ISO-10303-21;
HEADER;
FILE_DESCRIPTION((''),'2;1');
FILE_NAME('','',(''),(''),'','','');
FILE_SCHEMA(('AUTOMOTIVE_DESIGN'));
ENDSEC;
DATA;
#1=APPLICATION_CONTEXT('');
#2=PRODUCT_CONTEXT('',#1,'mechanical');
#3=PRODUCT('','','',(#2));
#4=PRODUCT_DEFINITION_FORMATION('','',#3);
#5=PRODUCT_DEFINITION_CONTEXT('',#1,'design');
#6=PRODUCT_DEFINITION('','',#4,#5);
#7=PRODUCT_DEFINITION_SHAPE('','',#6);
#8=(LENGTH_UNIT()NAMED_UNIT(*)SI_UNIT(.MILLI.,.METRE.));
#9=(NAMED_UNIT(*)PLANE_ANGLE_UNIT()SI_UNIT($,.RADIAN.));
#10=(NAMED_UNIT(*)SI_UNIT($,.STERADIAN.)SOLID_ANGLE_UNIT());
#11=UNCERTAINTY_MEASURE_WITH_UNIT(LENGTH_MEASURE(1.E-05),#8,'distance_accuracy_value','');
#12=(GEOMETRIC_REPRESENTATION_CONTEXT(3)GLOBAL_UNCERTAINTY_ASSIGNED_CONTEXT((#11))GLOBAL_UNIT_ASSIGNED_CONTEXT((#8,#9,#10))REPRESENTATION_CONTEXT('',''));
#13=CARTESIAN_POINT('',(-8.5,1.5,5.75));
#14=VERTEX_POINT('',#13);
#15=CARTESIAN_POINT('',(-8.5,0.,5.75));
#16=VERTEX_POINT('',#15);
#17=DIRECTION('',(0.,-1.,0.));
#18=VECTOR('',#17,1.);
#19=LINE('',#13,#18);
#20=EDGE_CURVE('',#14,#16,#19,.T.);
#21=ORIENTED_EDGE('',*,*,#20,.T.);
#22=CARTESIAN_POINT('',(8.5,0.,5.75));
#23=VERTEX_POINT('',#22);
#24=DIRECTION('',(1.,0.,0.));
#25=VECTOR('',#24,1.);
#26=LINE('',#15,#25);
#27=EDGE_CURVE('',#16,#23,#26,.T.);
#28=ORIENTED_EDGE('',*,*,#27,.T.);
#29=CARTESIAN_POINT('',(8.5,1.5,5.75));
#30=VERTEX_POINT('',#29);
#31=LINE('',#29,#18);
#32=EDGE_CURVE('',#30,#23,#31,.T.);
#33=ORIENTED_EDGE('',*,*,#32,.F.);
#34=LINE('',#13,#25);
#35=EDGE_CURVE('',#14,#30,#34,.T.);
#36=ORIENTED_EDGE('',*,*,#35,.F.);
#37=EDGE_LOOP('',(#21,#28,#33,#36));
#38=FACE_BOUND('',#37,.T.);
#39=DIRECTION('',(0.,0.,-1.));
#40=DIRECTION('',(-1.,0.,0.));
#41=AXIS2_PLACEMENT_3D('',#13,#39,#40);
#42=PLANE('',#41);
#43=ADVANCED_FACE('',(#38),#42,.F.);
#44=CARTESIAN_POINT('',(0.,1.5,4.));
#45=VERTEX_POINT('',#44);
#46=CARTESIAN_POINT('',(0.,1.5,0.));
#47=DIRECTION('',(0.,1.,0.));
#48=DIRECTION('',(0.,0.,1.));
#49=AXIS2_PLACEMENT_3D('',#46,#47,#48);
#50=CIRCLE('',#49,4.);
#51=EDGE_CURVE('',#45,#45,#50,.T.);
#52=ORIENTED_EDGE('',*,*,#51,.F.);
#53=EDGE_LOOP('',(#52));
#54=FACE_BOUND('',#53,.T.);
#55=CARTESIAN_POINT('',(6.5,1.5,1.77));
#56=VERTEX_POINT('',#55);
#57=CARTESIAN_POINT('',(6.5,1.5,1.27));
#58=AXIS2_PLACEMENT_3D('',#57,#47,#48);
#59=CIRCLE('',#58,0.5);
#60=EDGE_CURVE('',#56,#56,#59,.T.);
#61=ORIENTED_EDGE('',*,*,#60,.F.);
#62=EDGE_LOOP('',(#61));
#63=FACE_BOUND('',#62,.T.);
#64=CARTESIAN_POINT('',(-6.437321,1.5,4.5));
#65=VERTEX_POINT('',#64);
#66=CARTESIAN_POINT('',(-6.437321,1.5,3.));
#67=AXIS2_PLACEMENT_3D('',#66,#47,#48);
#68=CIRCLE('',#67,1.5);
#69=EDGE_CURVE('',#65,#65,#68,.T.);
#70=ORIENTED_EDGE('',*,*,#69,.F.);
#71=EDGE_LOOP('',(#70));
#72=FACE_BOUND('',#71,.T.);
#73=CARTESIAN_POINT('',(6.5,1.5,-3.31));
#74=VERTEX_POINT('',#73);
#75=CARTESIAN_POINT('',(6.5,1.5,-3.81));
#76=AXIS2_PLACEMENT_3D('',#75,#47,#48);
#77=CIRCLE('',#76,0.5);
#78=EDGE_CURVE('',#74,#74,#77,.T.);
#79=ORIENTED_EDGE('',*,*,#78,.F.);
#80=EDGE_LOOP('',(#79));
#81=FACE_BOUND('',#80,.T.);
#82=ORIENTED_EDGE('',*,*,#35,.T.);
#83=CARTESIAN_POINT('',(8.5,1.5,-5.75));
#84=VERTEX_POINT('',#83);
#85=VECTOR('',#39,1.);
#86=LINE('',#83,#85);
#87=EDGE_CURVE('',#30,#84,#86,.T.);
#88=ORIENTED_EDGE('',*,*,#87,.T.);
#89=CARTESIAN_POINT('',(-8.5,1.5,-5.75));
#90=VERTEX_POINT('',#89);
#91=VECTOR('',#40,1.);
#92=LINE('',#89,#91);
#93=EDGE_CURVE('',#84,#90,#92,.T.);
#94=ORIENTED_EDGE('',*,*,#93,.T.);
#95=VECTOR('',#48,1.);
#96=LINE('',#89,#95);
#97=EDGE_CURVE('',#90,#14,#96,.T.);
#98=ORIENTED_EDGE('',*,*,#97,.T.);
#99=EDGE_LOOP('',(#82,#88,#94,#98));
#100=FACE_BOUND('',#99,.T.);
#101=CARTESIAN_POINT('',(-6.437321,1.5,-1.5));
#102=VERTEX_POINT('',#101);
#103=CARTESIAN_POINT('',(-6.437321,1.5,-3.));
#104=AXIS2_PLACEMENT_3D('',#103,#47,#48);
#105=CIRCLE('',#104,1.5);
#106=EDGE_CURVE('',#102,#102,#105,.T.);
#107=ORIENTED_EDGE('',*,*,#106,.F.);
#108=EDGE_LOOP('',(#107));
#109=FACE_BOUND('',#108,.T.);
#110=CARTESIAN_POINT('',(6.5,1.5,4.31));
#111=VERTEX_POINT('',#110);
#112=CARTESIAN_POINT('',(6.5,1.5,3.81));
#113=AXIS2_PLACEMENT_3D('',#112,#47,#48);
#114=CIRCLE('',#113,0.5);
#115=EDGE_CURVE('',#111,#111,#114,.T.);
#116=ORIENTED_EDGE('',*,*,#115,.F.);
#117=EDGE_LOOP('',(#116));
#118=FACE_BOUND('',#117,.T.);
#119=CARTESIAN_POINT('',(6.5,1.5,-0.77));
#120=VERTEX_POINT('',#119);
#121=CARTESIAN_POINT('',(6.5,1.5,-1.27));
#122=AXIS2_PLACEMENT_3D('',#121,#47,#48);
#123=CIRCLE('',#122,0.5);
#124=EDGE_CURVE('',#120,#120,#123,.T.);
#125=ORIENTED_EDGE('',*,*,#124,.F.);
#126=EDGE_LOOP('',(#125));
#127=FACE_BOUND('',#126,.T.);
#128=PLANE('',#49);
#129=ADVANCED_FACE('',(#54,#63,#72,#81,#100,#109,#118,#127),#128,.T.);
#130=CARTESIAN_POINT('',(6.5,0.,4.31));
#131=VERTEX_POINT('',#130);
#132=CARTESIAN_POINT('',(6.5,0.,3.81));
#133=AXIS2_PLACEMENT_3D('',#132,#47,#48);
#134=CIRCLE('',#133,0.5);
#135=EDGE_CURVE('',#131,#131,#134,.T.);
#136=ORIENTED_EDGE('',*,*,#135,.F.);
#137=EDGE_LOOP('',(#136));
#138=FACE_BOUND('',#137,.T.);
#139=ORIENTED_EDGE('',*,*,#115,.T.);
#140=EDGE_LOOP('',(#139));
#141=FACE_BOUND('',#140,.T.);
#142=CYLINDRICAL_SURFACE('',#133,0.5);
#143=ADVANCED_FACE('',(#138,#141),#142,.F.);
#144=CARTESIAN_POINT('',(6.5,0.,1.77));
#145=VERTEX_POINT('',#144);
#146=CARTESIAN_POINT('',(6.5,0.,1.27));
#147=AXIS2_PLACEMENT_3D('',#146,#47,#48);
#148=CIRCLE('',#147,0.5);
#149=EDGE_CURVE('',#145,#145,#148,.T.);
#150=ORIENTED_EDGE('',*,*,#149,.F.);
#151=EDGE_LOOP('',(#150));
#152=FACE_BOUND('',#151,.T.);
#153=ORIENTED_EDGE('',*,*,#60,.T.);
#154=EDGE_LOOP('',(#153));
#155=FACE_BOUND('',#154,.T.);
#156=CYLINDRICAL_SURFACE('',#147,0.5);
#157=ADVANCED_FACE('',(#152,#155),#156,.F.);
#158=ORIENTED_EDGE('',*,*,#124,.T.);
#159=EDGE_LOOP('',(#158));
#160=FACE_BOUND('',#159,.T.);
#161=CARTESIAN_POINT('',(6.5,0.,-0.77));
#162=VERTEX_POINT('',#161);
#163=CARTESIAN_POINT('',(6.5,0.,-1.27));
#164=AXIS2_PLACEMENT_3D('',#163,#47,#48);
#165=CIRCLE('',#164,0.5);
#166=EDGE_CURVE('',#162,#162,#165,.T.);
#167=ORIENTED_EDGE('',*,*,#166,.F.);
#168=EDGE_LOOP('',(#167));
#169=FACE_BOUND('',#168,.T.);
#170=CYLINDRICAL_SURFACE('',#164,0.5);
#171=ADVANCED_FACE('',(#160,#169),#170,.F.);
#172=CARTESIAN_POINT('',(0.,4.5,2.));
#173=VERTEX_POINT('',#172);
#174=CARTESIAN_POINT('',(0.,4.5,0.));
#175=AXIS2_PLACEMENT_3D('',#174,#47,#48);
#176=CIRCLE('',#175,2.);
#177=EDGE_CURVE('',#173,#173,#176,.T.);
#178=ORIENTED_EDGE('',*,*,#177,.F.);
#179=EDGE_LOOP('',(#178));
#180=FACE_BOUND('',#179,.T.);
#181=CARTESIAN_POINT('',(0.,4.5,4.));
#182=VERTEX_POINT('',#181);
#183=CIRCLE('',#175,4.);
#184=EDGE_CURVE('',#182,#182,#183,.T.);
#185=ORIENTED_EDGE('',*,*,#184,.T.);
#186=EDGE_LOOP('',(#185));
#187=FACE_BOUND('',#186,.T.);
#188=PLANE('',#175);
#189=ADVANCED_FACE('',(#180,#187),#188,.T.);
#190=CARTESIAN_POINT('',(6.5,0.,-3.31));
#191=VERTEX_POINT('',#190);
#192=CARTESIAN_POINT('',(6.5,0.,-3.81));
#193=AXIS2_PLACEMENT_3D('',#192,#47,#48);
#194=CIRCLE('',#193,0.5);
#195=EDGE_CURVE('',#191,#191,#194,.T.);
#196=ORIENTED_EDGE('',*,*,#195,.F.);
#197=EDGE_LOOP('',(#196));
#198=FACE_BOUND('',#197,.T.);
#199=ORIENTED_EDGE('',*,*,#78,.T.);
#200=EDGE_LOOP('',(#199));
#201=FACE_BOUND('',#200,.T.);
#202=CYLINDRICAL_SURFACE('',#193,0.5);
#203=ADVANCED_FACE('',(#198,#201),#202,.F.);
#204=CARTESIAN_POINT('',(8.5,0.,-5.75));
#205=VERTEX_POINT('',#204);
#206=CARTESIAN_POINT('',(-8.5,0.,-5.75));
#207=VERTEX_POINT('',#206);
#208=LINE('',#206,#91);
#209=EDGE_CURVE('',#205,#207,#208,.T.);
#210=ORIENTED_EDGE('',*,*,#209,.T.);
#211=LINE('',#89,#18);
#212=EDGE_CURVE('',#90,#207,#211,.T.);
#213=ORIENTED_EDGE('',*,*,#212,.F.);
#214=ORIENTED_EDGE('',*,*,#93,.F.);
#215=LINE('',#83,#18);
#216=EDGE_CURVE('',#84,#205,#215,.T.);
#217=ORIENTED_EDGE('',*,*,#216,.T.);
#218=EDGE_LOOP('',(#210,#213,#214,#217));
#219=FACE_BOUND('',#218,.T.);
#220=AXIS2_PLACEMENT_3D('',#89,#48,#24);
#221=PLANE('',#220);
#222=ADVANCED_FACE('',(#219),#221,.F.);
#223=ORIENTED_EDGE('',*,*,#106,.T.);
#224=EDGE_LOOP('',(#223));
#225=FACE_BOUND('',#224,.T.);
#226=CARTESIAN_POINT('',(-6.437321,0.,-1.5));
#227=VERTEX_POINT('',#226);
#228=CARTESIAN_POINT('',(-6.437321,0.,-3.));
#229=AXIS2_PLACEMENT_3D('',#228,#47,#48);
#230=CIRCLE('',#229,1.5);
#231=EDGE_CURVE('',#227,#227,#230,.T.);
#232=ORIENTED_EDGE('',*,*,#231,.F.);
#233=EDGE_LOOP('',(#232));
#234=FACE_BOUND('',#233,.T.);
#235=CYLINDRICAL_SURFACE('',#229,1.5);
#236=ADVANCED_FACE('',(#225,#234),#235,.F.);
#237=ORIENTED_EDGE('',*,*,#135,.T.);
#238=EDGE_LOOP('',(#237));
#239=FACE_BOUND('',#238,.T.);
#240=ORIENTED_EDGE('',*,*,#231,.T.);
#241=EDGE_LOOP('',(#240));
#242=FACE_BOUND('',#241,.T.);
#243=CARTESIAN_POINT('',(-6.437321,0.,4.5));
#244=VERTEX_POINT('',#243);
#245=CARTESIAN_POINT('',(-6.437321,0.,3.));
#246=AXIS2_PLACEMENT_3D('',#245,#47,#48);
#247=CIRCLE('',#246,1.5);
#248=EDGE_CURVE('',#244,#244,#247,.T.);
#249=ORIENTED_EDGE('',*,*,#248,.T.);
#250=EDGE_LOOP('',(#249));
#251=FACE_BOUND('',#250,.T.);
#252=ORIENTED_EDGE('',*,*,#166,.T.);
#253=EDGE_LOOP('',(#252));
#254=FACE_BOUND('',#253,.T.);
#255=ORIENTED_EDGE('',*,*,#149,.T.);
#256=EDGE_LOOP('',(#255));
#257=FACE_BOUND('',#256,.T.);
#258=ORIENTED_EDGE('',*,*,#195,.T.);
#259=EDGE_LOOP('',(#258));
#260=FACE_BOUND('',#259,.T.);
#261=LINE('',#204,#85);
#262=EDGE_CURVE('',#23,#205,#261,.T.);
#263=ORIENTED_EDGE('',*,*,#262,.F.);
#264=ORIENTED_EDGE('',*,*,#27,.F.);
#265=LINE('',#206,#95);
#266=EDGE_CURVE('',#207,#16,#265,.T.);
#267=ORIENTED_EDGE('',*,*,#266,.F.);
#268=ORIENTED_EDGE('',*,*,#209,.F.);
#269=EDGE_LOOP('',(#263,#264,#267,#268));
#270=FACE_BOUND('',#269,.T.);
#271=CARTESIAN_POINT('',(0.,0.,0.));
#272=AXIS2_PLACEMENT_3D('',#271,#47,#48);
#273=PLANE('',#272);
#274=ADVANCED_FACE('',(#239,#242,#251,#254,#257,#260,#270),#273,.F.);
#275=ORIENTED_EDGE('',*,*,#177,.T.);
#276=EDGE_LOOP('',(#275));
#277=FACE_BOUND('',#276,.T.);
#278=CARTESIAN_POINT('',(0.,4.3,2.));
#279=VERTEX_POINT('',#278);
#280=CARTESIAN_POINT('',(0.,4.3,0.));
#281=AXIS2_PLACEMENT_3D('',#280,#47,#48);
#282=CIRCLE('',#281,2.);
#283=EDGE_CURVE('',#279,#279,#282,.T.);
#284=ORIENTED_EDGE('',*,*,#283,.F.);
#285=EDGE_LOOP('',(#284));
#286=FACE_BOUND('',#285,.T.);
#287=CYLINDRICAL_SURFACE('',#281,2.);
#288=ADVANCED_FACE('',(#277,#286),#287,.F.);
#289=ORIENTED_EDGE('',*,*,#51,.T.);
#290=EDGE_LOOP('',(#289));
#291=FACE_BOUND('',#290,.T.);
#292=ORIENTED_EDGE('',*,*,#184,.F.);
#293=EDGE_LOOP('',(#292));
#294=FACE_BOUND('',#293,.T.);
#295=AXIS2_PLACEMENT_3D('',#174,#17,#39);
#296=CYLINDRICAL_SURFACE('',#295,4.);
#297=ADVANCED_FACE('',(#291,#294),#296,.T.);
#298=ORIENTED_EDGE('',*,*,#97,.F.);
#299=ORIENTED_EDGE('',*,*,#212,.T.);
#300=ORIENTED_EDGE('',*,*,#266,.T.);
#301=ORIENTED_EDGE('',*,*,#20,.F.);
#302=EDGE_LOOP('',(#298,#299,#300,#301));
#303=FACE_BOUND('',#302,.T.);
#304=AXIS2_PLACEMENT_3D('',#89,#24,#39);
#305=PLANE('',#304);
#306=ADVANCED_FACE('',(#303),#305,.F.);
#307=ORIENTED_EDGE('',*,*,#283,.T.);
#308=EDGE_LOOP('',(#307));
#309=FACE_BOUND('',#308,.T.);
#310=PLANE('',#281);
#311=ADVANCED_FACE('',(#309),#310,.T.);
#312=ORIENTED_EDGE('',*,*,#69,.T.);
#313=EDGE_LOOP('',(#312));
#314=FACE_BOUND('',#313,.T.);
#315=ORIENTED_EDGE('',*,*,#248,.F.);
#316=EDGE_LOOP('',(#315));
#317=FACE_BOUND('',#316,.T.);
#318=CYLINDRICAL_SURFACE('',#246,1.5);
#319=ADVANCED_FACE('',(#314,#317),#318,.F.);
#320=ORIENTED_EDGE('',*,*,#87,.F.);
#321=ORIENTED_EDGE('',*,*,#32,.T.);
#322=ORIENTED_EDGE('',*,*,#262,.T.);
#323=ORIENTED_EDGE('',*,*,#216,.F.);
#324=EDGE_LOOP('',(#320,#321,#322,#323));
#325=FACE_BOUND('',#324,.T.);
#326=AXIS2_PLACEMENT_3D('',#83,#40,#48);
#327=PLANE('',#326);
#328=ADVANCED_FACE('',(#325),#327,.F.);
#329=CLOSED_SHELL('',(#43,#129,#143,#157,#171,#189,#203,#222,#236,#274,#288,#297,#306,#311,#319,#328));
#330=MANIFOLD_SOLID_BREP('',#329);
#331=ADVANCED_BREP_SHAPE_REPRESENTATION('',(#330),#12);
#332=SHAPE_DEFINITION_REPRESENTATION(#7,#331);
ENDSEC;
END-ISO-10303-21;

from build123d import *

# Parameters (mm, degrees)
SKETCH_1_W          = 17
SKETCH_1_H          = 11.5
EXTRUDE_1_DEPTH     = 1.5
SKETCH_2_R          = 4
EXTRUDE_2_DEPTH     = 3
SKETCH_3_R          = 2
CUT_EXTRUDE_1_DEPTH = 0.2
SKETCH_4_R          = 0.5
SKETCH_4_R_2        = 1.5
CUT_EXTRUDE_2_DEPTH = 11.69170239


with BuildPart() as part:
    # Эскиз1 → Бобышка-Вытянуть1 (new body)
    with BuildSketch(Plane(origin=(0, 0, 0), x_dir=(1, 0, 0), z_dir=(0, 1, 0))):
        Rectangle(SKETCH_1_W, SKETCH_1_H)
    extrude(amount=EXTRUDE_1_DEPTH)

    # Эскиз2 → Бобышка-Вытянуть2 (add)
    with BuildSketch(Plane(origin=(0, 1.5, 0), x_dir=(1, 0, 0), z_dir=(0, 1, 0))):
        with Locations(Location((0, 0, 0), (0, 0, 270))):
            Circle(SKETCH_2_R)
    extrude(amount=EXTRUDE_2_DEPTH)

    # Эскиз3 → Вырез-Вытянуть1 (cut)
    with BuildSketch(Plane(origin=(0, 4.5, 0), x_dir=(1, 0, 0), z_dir=(0, 1, 0))):
        with Locations(Location((0, 0, 0), (0, 0, 270))):
            Circle(SKETCH_3_R)
    extrude(amount=-CUT_EXTRUDE_1_DEPTH, mode=Mode.SUBTRACT)

    # Эскиз4 → Вырез-Вытянуть2 (cut, through all)
    with BuildSketch(Plane(origin=(0, 1.5, 0), x_dir=(1, 0, 0), z_dir=(0, 1, 0))):
        with Locations(Location((6.5, 3.81, 0), (0, 0, 270))):
            Circle(SKETCH_4_R)
        with Locations(Location((6.5, 1.27, 0), (0, 0, 270))):
            Circle(SKETCH_4_R)
        with Locations(Location((6.5, -1.27, 0), (0, 0, 270))):
            Circle(SKETCH_4_R)
        with Locations(Location((6.5, -3.81, 0), (0, 0, 270))):
            Circle(SKETCH_4_R)
        with Locations(Location((-6.43732089, 3, 0), (0, 0, 270))):
            Circle(SKETCH_4_R_2)
        with Locations(Location((-6.43732089, -3, 0), (0, 0, 270))):
            Circle(SKETCH_4_R_2)
    extrude(amount=-CUT_EXTRUDE_2_DEPTH, mode=Mode.SUBTRACT)


solid = part.part
